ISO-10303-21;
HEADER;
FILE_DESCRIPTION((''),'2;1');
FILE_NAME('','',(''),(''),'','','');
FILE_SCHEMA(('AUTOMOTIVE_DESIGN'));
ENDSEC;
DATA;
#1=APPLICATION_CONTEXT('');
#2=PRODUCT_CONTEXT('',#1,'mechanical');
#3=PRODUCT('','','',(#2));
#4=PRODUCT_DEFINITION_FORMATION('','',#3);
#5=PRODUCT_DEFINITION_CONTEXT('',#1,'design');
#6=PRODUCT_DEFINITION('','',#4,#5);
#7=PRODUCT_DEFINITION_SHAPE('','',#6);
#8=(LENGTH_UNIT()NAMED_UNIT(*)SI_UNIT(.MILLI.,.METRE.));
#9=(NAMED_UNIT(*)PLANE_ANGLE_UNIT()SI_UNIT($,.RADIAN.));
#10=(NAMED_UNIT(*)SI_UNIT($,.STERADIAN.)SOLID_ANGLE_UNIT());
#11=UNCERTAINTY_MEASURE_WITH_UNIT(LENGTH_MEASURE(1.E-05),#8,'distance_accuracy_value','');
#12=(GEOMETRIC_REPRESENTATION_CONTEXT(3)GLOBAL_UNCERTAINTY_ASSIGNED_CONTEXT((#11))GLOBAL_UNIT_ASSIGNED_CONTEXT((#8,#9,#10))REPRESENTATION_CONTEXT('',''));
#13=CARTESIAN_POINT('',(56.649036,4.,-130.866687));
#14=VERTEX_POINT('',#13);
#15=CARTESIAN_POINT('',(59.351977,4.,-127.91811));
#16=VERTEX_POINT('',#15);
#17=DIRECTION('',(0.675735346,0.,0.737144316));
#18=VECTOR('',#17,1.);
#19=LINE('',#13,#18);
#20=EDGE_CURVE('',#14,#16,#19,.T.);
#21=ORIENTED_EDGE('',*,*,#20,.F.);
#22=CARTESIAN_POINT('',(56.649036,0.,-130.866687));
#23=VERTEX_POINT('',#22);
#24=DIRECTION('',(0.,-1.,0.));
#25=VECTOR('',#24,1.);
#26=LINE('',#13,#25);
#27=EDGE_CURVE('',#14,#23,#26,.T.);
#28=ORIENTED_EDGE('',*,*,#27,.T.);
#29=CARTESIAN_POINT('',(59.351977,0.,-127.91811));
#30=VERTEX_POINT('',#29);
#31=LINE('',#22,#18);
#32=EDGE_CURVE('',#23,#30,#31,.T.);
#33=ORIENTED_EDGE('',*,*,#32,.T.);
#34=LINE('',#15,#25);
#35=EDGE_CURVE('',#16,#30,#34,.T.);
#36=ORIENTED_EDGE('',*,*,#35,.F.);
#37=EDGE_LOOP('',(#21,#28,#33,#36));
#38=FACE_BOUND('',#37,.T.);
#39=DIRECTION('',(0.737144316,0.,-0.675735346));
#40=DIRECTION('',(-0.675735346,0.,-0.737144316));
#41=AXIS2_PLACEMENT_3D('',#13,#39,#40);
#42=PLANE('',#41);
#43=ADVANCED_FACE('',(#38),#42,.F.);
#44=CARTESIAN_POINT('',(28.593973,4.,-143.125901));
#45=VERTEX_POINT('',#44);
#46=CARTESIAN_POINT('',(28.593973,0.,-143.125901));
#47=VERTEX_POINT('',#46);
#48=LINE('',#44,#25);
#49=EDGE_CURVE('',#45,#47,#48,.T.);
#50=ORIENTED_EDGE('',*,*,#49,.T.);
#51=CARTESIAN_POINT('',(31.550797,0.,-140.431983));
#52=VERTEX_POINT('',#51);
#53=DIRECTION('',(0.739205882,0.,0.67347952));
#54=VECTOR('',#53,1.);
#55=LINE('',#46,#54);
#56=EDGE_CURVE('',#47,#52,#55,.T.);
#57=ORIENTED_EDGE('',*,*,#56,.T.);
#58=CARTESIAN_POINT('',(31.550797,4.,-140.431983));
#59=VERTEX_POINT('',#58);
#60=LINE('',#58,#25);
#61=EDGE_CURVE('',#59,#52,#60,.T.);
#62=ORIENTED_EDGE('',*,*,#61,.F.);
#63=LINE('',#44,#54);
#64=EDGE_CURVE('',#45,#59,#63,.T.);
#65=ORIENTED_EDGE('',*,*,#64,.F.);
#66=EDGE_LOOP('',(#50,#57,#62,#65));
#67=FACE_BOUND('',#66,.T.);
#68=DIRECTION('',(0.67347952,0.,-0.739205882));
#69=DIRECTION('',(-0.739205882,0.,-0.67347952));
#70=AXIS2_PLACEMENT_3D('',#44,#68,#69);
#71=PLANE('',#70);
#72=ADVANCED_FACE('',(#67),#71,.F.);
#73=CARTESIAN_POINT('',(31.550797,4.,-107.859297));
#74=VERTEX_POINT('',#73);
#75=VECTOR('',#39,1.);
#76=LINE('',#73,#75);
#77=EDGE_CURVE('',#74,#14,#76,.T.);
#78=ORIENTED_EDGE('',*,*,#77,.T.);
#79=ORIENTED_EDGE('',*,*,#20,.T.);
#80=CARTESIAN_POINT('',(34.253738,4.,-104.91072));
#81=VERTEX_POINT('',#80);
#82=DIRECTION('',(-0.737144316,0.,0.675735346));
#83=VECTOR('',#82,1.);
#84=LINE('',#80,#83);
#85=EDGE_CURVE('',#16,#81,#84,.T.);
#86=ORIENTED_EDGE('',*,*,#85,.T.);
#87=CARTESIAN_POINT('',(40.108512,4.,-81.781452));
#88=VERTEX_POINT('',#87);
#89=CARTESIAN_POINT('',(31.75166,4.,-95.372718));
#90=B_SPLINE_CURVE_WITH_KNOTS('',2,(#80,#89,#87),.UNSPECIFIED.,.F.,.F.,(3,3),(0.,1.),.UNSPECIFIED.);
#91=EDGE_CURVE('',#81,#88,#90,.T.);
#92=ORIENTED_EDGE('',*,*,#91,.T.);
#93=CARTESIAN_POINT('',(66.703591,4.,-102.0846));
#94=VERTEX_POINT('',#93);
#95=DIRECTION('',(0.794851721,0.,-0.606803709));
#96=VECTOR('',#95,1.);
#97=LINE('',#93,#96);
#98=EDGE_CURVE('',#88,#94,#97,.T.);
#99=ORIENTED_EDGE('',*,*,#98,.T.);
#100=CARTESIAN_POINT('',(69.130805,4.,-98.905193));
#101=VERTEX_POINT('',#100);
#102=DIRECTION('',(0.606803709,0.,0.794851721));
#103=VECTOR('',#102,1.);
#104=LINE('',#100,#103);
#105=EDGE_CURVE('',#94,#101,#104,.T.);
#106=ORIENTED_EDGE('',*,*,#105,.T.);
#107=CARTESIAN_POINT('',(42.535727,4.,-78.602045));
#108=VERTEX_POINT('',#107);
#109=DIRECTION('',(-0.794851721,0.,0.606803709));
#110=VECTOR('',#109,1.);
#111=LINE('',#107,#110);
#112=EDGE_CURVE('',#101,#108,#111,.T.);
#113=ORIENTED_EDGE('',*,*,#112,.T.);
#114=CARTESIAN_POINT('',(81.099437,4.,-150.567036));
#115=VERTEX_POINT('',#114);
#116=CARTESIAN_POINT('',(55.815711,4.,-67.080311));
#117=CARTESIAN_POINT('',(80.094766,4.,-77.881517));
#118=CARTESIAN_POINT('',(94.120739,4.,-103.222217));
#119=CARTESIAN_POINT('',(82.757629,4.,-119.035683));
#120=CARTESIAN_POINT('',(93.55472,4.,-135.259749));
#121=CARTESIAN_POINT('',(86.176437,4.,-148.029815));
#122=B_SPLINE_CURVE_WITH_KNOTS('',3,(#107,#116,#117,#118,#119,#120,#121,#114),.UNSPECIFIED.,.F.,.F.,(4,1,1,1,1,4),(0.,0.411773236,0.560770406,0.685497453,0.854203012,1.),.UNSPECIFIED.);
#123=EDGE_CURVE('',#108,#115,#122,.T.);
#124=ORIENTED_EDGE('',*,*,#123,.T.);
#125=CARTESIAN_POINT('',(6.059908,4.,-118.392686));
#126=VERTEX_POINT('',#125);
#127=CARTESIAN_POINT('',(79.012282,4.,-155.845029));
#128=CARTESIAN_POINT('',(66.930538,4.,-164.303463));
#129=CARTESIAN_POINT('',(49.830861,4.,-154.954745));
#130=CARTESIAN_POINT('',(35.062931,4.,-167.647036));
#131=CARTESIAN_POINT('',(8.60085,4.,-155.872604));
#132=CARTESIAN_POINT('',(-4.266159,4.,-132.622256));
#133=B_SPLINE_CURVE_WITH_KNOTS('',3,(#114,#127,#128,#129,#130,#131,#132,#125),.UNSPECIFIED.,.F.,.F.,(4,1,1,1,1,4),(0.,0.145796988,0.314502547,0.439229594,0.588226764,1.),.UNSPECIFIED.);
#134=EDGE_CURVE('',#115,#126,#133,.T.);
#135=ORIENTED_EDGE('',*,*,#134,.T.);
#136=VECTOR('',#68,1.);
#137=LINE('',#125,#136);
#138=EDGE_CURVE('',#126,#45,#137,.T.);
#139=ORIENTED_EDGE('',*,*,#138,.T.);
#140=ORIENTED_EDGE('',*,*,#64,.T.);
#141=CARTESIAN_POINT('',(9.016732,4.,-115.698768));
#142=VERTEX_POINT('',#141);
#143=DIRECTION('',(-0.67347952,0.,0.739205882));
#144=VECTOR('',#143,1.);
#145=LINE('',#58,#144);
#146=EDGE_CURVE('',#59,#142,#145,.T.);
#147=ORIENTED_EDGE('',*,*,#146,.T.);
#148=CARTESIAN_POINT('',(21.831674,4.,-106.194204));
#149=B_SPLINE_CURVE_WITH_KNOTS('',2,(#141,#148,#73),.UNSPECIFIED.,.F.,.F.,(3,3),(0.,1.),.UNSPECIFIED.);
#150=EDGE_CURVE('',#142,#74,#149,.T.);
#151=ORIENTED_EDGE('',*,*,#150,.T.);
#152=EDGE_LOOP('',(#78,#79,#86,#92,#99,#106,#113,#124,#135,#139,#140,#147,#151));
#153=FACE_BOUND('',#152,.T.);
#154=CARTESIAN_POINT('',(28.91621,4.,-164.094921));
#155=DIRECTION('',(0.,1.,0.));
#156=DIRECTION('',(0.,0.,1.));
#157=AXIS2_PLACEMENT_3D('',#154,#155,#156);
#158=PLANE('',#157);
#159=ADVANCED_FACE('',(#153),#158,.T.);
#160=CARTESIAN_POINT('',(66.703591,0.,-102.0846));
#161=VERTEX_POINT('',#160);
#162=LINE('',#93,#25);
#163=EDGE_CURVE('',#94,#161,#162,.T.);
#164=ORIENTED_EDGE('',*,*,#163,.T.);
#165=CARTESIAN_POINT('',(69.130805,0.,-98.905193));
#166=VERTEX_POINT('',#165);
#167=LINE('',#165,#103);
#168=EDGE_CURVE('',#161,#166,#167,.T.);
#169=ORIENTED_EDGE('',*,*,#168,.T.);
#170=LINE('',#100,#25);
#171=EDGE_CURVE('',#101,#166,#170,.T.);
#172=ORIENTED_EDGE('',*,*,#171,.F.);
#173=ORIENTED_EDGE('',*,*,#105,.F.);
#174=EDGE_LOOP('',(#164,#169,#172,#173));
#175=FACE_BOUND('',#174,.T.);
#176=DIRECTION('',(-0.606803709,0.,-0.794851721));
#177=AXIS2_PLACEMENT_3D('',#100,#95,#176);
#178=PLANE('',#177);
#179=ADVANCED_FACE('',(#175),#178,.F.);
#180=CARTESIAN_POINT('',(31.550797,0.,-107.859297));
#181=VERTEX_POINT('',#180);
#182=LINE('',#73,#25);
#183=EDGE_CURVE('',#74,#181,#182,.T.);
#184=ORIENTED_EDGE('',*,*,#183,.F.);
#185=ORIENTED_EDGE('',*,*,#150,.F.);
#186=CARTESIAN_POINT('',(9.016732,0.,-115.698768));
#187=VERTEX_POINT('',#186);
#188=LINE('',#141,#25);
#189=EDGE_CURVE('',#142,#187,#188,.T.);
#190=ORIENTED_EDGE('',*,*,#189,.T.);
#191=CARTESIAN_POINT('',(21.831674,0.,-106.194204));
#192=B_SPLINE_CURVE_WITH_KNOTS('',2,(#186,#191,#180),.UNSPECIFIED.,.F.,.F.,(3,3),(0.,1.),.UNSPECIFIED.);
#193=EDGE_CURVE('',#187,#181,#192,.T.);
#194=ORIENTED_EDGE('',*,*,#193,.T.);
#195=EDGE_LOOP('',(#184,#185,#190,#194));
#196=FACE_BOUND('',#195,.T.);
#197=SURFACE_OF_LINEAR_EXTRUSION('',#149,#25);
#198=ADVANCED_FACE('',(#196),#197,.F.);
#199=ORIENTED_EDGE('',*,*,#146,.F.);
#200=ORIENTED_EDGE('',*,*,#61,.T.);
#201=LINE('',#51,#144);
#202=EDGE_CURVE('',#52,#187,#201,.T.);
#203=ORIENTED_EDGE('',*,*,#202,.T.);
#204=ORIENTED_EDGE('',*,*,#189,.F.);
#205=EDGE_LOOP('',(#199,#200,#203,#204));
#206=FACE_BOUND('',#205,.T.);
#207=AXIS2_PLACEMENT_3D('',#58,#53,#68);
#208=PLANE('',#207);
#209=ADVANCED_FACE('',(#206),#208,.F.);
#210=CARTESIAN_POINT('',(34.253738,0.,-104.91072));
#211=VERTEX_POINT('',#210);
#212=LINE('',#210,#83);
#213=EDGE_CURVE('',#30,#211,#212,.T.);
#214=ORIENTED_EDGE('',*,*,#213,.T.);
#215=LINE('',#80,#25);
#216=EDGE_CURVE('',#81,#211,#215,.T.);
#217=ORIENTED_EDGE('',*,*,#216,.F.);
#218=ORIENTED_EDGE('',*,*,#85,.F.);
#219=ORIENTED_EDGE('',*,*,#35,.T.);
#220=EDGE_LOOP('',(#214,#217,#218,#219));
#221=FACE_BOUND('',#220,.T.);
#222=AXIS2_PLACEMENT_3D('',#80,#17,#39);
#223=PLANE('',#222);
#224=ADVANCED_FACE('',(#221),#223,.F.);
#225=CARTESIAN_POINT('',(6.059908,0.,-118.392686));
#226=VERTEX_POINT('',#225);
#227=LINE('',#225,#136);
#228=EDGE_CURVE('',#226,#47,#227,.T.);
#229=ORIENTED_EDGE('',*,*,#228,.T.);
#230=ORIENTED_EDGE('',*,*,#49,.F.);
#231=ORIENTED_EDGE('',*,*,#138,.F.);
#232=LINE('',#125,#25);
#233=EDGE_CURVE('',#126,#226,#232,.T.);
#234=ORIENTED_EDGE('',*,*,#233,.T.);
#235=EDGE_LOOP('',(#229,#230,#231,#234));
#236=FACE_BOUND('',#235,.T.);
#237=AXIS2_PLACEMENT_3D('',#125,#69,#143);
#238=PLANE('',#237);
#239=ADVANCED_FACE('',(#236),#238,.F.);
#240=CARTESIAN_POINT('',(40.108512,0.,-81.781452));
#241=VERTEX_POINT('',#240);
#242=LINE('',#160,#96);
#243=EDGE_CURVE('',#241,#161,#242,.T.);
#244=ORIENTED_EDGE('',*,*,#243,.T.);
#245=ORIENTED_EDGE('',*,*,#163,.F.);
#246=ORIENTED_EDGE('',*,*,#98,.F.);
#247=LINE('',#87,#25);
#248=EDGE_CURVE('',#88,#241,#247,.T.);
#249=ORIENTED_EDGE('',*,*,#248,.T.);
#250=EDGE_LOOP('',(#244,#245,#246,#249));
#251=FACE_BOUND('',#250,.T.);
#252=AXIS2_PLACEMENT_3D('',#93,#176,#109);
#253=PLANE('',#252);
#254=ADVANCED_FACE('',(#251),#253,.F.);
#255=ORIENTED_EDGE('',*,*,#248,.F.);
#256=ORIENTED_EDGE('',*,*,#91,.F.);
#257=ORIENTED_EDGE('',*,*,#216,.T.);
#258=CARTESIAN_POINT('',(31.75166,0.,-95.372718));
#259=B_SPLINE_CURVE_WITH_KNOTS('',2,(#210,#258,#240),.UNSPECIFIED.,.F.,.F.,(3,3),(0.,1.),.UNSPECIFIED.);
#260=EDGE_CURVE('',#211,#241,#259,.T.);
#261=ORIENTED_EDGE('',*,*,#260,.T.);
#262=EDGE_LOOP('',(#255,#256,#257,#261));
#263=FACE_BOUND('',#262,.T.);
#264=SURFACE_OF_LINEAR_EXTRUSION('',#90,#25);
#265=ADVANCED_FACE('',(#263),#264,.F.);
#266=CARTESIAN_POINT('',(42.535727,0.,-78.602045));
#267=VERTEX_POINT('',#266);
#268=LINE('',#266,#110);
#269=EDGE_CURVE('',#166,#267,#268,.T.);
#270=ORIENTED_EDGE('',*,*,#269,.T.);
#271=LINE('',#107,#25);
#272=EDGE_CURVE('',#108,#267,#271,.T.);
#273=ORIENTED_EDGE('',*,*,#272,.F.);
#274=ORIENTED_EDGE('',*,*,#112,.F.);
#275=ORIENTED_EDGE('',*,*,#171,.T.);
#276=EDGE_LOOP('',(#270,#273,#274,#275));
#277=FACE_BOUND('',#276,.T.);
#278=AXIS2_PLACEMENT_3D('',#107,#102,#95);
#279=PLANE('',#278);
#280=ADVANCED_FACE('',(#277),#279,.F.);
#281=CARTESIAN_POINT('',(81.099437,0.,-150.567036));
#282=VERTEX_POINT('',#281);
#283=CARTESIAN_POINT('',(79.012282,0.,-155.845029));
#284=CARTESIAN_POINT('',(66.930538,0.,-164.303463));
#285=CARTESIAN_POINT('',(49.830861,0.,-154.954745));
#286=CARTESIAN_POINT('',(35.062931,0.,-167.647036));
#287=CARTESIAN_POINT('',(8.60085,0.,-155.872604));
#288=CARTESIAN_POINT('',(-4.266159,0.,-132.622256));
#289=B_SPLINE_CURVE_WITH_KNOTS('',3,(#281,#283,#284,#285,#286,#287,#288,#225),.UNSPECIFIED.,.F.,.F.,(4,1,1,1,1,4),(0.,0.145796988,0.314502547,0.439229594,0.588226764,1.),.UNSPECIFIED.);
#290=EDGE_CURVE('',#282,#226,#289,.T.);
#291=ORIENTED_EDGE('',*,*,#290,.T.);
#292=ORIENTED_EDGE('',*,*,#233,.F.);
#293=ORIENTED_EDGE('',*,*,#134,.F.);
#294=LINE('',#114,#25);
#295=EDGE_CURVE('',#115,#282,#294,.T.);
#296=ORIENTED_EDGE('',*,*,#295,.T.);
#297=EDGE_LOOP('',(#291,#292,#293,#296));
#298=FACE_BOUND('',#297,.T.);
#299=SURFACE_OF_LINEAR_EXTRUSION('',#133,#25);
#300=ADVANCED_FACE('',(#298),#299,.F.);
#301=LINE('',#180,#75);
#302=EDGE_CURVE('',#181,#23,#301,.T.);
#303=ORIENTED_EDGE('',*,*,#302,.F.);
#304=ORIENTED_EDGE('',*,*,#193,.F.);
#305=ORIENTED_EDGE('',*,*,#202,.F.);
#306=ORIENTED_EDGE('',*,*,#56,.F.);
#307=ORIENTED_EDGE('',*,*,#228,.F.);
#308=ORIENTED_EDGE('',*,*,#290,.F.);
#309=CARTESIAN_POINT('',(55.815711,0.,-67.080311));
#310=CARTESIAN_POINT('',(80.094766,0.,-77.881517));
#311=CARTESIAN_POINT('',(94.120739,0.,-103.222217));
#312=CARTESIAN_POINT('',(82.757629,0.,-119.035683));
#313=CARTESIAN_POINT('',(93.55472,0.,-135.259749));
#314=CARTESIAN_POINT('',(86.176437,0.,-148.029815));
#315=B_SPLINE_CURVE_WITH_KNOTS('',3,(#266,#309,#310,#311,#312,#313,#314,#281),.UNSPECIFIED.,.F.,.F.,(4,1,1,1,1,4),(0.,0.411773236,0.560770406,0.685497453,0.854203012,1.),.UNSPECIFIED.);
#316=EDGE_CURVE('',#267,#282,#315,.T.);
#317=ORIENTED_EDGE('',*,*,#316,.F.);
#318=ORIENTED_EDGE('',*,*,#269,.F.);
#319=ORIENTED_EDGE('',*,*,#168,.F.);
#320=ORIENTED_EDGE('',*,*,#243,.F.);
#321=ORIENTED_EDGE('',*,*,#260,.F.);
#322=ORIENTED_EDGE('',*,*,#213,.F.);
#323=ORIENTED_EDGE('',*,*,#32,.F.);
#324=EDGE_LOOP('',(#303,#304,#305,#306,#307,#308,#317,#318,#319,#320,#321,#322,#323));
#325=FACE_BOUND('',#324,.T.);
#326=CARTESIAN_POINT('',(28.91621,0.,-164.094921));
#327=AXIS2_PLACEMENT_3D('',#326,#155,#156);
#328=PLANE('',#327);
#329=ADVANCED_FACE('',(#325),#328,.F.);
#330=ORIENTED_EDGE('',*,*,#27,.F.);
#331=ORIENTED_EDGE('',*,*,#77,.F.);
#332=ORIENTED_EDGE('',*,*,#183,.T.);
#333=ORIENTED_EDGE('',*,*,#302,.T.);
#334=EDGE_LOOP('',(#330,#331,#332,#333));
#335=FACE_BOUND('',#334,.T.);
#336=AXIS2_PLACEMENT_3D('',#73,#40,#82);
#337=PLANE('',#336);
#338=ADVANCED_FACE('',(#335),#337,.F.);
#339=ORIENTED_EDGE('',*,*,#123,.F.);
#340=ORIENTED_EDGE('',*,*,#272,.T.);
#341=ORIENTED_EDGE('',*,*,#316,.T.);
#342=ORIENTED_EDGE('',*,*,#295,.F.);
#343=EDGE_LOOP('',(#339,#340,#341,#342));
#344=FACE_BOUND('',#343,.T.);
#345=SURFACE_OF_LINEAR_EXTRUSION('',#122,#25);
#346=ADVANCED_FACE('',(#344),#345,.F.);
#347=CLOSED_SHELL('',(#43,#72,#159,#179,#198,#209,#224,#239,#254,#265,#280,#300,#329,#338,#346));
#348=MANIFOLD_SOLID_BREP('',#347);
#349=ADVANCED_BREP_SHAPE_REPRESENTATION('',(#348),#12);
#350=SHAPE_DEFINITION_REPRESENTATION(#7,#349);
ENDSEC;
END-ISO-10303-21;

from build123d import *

# Parameters (mm, degrees)
EXTRUDE_1_DEPTH = 4


with BuildPart() as part:
    # Эскиз1 → Бобышка-Вытянуть1 (new body)
    with BuildSketch(Plane(origin=(0, 0, 0), x_dir=(1, 0, 0), z_dir=(0, 1, 0))):
        with BuildLine():
            Line((6.059908157, 118.392686307), (28.593973382, 143.125900973))
            Line((28.593973382, 143.125900973), (31.550796909, 140.431982892))
            Line((31.550796909, 140.431982892), (9.016731683, 115.698768225))
            add(Edge.make_bspline(
                [(9.016731683, 115.698768225), (21.831674205, 106.194204472), (31.550796909, 107.859296928)],
                knots=[0, 0, 0, 1, 1, 1], degree=2))
            Line((31.550796909, 107.859296928), (56.649035515, 130.866687174))
            Line((56.649035515, 130.866687174), (59.351976898, 127.918109911))
            Line((59.351976898, 127.918109911), (34.253738292, 104.910719665))
            add(Edge.make_bspline(
                [(40.108512431, 81.781451939), (31.751660046, 95.372717596), (34.253738292, 104.910719665)],
                knots=[0, 0, 0, 1, 1, 1], degree=2))
            Line((40.108512431, 81.781451939), (66.703590649, 102.084599918))
            Line((66.703590649, 102.084599918), (69.130805487, 98.905193034))
            Line((69.130805487, 98.905193034), (42.535727268, 78.602045055))
            add(Edge.make_bspline(
                [(42.535727268, 78.602045055), (55.815710688, 67.080310927), (80.094766474, 77.881516918), (94.120739474, 103.222216708), (82.757628545, 119.035683166), (93.554720003, 135.259749049), (86.176436575, 148.029815365), (81.0994368, 150.567036284)],
                knots=[0, 0, 0, 0, 0.411773236, 0.560770406, 0.685497453, 0.854203012, 1, 1, 1, 1], degree=3))
            add(Edge.make_bspline(
                [(6.059908157, 118.392686307), (-4.266159161, 132.622255896), (8.600850307, 155.872603594), (35.062931054, 167.647036362), (49.830860852, 154.954744966), (66.930538064, 164.303463432), (79.012282091, 155.845028509), (81.0994368, 150.567036284)],
                knots=[0, 0, 0, 0, 0.411773236, 0.560770406, 0.685497453, 0.854203012, 1, 1, 1, 1], degree=3))
        make_face()
    extrude(amount=EXTRUDE_1_DEPTH)


solid = part.part
